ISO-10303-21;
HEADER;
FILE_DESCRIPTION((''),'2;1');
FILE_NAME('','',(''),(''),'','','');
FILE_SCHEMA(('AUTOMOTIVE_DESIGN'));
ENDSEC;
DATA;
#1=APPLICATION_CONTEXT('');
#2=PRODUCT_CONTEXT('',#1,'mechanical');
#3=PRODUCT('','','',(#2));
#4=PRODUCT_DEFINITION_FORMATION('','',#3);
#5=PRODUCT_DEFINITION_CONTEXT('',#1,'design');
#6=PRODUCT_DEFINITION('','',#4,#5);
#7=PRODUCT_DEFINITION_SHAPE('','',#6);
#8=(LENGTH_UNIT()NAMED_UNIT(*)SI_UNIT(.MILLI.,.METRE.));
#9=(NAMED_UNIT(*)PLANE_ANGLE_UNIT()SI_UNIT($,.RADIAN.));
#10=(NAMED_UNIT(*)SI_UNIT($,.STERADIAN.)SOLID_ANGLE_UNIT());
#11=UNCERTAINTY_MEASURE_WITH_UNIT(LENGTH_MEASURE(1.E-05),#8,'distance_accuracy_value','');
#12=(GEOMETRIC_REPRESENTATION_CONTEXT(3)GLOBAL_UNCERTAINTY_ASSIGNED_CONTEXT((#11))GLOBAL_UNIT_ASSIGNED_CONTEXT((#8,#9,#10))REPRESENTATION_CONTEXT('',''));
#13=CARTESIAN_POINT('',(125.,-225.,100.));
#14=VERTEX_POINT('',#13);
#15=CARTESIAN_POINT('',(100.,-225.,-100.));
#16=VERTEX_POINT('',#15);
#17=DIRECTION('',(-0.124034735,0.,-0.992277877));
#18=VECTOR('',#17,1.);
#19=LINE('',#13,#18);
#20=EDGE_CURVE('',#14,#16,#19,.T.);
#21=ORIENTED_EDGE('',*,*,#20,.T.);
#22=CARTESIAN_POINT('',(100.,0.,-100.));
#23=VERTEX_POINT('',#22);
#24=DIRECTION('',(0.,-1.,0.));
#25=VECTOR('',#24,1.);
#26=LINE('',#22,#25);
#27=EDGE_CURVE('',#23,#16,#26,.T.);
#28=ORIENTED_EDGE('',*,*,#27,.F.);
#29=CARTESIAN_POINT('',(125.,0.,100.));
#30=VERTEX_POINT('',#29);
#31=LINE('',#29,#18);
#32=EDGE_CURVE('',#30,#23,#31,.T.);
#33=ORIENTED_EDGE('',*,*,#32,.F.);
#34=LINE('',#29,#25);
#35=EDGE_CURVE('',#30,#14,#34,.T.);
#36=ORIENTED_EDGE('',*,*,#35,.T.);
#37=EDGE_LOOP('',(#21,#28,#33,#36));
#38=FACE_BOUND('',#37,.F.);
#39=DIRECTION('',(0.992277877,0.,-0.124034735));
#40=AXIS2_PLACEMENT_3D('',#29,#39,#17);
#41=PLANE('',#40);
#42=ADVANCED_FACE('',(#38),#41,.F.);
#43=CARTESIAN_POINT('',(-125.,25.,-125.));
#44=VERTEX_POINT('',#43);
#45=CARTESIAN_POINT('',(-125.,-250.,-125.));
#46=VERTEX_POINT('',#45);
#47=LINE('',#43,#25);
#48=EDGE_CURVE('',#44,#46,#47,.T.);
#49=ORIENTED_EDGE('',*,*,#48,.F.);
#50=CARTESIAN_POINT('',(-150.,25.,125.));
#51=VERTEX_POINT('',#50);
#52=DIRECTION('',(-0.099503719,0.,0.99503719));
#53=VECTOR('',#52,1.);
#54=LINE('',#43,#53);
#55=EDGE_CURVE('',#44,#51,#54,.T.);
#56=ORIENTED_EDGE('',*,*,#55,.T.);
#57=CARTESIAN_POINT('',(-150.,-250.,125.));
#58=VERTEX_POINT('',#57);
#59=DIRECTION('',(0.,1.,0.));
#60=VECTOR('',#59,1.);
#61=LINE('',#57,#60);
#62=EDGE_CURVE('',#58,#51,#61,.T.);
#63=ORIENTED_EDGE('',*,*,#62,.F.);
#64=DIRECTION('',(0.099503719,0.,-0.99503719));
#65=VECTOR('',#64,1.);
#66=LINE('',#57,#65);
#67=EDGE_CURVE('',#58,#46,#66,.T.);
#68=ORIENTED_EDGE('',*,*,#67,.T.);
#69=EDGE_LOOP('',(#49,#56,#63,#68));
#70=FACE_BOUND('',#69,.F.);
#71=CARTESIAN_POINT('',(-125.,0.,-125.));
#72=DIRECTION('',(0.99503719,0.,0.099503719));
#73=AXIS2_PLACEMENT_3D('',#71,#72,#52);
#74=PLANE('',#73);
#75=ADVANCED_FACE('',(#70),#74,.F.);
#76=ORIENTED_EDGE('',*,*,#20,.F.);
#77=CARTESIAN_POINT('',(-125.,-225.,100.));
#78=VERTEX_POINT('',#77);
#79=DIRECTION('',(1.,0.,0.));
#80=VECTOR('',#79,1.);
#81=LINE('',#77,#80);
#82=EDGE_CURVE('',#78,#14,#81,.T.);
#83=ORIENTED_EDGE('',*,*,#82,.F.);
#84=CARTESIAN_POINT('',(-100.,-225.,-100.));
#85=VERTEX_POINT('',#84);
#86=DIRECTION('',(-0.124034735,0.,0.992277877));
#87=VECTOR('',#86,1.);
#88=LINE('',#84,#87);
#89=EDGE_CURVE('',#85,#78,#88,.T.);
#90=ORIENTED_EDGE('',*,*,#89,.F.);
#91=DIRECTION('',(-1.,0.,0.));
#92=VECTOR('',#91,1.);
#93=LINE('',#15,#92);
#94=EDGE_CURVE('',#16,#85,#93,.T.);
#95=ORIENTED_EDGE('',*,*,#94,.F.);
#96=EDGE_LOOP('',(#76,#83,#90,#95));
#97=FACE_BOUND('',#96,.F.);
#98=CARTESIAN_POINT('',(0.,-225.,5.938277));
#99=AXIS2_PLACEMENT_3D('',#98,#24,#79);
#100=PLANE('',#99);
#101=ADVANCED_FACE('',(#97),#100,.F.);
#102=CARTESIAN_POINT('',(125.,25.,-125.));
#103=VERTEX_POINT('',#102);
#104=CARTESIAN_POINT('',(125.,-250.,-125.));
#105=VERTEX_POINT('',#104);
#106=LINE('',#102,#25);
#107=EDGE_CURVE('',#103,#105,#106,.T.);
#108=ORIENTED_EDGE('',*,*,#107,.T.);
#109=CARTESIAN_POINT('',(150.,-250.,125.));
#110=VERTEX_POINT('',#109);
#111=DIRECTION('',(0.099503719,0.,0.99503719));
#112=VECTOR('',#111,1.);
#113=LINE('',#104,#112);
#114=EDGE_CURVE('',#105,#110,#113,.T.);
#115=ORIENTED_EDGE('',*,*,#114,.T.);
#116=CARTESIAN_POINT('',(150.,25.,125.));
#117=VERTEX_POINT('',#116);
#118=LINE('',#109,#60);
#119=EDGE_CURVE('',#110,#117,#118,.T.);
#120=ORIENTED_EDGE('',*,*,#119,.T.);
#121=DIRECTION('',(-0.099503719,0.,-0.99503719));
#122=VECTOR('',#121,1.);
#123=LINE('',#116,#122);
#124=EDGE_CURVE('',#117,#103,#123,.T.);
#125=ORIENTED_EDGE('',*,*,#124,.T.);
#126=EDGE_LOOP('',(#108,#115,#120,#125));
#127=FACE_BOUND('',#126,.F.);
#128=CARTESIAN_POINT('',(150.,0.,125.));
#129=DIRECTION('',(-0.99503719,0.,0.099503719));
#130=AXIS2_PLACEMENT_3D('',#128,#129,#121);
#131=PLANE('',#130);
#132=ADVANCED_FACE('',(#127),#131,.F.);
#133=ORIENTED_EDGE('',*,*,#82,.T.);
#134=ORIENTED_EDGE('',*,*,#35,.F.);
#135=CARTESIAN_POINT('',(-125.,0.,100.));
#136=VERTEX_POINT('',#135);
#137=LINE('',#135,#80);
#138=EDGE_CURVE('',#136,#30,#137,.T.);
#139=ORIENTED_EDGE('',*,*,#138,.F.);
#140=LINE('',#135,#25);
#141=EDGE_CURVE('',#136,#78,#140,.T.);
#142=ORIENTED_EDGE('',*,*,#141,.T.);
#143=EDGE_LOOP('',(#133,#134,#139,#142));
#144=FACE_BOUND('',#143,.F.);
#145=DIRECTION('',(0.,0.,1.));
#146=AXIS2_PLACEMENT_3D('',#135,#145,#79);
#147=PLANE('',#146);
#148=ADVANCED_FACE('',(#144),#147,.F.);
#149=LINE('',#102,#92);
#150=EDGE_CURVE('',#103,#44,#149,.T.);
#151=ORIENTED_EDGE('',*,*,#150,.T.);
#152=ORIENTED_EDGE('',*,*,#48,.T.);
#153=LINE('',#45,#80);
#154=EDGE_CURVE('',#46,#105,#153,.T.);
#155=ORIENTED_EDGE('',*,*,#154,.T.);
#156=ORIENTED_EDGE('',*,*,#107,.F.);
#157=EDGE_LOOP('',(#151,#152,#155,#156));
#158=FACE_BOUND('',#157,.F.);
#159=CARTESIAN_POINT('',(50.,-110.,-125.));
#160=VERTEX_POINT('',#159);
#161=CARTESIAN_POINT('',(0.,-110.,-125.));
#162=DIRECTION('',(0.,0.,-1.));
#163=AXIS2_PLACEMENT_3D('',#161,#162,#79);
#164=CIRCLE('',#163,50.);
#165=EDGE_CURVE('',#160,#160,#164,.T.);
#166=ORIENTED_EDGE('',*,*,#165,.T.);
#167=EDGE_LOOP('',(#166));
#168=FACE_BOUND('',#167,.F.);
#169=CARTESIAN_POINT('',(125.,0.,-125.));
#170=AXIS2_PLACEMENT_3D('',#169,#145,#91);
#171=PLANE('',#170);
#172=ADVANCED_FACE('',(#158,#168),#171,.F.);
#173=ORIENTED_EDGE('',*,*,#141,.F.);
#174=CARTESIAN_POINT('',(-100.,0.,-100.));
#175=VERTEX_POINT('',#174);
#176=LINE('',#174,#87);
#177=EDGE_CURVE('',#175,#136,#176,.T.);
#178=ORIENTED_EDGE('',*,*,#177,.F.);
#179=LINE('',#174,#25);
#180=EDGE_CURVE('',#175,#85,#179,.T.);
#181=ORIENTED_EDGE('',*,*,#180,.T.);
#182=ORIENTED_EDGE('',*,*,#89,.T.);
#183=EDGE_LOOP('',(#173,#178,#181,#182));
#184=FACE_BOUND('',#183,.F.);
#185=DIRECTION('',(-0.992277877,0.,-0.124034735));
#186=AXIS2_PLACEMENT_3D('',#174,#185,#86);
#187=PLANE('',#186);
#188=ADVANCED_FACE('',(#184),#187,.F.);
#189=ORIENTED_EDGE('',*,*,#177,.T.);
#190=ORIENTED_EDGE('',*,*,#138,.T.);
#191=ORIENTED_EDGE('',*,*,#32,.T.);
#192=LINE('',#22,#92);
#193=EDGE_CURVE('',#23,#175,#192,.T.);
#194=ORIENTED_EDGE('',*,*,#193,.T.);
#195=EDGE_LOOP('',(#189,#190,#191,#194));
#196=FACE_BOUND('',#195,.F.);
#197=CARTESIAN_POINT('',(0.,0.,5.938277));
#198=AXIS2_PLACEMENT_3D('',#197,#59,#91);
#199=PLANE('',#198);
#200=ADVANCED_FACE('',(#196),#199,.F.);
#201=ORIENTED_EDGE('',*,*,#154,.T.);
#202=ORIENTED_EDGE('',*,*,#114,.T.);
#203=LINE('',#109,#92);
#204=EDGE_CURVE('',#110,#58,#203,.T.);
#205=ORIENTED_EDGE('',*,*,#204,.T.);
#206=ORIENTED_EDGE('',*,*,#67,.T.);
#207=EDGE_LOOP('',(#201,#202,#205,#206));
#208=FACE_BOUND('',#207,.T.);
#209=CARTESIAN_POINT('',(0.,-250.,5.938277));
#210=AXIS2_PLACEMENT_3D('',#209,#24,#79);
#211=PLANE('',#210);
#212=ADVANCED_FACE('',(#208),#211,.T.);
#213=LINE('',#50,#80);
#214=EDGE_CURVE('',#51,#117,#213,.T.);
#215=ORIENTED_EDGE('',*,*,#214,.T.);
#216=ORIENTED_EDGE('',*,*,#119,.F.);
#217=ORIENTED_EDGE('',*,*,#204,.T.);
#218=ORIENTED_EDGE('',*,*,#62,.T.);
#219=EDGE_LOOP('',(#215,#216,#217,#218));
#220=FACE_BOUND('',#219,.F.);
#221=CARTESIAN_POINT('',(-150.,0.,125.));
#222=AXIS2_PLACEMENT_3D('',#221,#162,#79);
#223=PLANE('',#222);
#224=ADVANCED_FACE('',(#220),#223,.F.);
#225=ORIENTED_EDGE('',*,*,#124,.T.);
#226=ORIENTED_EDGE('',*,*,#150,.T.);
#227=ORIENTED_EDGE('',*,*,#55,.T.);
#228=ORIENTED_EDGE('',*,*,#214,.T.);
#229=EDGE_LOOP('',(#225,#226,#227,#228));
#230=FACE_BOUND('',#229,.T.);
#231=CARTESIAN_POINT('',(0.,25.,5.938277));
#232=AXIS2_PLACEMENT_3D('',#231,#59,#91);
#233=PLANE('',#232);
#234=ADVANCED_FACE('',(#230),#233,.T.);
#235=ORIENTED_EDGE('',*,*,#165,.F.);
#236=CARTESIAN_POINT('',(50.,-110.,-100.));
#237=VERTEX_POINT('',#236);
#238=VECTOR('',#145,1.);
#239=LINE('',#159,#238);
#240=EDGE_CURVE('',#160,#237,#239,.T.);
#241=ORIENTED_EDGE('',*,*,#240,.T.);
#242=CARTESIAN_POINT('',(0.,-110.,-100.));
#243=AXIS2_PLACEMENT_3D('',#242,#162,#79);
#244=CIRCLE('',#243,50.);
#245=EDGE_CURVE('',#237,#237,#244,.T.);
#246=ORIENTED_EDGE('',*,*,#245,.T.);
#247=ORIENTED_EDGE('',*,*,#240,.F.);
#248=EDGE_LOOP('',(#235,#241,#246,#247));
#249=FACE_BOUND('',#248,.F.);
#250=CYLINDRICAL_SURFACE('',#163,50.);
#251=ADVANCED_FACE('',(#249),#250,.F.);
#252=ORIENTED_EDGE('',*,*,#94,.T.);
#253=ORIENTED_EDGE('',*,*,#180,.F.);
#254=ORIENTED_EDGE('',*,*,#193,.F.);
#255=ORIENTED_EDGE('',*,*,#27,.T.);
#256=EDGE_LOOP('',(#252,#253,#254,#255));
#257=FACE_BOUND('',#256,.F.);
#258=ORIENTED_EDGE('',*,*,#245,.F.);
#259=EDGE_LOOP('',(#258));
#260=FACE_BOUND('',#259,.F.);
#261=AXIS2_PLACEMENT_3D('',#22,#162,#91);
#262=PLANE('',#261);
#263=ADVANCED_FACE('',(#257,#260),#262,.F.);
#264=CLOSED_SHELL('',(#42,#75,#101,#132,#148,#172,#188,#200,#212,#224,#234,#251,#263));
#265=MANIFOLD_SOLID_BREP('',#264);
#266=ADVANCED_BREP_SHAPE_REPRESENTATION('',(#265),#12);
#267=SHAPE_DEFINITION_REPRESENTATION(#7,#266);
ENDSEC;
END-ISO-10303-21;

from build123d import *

# Parameters (mm, degrees)
F1_DEPTH = 225
F4_DEPTH = 25
F6_DEPTH = 25
F7_R     = 50
F8_DEPTH = 25


with BuildPart() as f1:
    # F0 (on Front) → F1 (new body)
    with BuildSketch(Plane.XZ):
        Polygon((-125, -125), (125, -125), (150, 125), (-150, 125), align=None)
        Polygon((125, 100), (100, -100), (-100, -100), (-125, 100), align=None, mode=Mode.SUBTRACT)
    extrude(amount=F1_DEPTH)

    # F3 (on face) + F2 (on face) → F4 (join)
    with BuildSketch(Plane.XZ.offset(225)):
        Polygon((125, -125), (150, 125), (-150, 125), (-125, -125), align=None)
    with BuildSketch(Plane.XZ.offset(225)):
        Polygon((-150, 125), (-125, -125), (125, -125), (150, 125), align=None)
        Polygon((-100, -100), (-125, 100), (125, 100), (100, -100), align=None, mode=Mode.SUBTRACT)
    extrude(amount=F4_DEPTH)

    # F5 (on face) → F6 (join)
    with BuildSketch(Plane(origin=(0, 0, 0), x_dir=(-1, 0, 0), z_dir=(0, 1, 0))):
        Polygon((125, -125), (150, 125), (-150, 125), (-125, -125), align=None)
    extrude(amount=F6_DEPTH)

    # F7 (on face) → F8 (cut)
    with BuildSketch(Plane(origin=(0, 0, -125), x_dir=(1, 0, 0), z_dir=(0, 0, -1))):
        with Locations((0, 110)):
            Circle(F7_R)
    extrude(amount=-F8_DEPTH, mode=Mode.SUBTRACT)


solid = f1.part
